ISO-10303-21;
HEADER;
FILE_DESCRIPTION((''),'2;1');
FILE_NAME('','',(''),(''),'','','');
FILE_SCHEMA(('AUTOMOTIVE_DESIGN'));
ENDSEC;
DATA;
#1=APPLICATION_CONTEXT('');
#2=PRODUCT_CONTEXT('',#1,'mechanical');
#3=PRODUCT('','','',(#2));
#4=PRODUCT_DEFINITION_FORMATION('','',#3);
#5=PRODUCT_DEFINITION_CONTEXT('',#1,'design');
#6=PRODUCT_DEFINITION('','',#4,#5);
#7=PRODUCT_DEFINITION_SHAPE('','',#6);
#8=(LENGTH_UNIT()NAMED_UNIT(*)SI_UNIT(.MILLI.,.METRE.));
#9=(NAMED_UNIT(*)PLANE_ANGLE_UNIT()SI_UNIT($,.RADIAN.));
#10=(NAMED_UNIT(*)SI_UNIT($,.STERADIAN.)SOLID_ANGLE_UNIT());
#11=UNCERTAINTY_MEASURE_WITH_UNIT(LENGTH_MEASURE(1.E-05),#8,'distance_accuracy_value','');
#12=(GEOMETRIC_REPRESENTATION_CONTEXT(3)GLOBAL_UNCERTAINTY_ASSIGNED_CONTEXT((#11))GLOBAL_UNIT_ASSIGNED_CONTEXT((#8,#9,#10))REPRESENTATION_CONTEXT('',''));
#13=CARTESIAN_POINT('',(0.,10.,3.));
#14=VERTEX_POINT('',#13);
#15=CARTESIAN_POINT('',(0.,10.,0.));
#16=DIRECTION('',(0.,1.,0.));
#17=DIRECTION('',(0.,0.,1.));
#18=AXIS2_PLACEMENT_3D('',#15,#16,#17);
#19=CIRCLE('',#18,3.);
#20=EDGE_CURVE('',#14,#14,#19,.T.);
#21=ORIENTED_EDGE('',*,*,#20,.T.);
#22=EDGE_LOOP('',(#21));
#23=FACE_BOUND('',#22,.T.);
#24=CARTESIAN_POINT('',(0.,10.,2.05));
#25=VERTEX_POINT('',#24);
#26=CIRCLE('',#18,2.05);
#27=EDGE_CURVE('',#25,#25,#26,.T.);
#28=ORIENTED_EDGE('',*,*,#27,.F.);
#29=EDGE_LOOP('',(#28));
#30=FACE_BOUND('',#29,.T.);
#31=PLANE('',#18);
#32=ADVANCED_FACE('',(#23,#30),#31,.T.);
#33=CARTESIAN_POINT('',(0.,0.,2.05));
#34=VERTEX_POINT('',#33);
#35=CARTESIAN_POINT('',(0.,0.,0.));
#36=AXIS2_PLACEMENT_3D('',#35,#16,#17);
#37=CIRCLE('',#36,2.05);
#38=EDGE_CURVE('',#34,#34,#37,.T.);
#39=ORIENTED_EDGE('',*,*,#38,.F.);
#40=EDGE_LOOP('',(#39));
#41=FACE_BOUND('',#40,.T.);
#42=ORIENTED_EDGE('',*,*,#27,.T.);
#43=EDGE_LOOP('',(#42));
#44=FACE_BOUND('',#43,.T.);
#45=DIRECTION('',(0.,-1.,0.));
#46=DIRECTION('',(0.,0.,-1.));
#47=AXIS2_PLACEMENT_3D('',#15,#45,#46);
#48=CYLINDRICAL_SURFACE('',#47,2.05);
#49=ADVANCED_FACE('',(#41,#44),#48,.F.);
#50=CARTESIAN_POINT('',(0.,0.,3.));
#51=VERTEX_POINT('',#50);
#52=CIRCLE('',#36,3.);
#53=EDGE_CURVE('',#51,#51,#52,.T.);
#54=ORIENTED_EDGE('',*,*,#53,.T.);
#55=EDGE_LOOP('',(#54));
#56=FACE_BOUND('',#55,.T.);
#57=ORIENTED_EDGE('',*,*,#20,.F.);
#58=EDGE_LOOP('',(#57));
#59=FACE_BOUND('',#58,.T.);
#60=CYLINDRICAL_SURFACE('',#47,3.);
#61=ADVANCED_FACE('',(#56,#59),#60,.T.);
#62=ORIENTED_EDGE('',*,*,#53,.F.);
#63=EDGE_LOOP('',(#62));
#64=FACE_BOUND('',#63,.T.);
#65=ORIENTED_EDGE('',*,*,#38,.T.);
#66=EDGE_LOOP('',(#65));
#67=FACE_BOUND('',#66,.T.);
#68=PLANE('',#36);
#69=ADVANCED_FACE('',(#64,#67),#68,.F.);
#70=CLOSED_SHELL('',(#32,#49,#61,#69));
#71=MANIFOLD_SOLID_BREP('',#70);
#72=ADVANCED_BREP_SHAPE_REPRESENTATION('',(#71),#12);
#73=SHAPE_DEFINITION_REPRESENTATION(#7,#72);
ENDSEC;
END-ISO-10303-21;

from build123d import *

# Parameters (mm, degrees)
SKETCH_1_R      = 3
SKETCH_1_R_2    = 2.05
EXTRUDE_1_DEPTH = 10


with BuildPart() as part:
    # 草圖1 → 填料-伸長1 (new body)
    with BuildSketch(Plane(origin=(0, 0, 0), x_dir=(1, 0, 0), z_dir=(0, 1, 0))):
        with Locations(Location((0, 0, 0), (0, 0, 270))):
            Circle(SKETCH_1_R)
        with Locations(Location((0, 0, 0), (0, 0, 270))):
            Circle(SKETCH_1_R_2, mode=Mode.SUBTRACT)
    extrude(amount=EXTRUDE_1_DEPTH)


solid = part.part
